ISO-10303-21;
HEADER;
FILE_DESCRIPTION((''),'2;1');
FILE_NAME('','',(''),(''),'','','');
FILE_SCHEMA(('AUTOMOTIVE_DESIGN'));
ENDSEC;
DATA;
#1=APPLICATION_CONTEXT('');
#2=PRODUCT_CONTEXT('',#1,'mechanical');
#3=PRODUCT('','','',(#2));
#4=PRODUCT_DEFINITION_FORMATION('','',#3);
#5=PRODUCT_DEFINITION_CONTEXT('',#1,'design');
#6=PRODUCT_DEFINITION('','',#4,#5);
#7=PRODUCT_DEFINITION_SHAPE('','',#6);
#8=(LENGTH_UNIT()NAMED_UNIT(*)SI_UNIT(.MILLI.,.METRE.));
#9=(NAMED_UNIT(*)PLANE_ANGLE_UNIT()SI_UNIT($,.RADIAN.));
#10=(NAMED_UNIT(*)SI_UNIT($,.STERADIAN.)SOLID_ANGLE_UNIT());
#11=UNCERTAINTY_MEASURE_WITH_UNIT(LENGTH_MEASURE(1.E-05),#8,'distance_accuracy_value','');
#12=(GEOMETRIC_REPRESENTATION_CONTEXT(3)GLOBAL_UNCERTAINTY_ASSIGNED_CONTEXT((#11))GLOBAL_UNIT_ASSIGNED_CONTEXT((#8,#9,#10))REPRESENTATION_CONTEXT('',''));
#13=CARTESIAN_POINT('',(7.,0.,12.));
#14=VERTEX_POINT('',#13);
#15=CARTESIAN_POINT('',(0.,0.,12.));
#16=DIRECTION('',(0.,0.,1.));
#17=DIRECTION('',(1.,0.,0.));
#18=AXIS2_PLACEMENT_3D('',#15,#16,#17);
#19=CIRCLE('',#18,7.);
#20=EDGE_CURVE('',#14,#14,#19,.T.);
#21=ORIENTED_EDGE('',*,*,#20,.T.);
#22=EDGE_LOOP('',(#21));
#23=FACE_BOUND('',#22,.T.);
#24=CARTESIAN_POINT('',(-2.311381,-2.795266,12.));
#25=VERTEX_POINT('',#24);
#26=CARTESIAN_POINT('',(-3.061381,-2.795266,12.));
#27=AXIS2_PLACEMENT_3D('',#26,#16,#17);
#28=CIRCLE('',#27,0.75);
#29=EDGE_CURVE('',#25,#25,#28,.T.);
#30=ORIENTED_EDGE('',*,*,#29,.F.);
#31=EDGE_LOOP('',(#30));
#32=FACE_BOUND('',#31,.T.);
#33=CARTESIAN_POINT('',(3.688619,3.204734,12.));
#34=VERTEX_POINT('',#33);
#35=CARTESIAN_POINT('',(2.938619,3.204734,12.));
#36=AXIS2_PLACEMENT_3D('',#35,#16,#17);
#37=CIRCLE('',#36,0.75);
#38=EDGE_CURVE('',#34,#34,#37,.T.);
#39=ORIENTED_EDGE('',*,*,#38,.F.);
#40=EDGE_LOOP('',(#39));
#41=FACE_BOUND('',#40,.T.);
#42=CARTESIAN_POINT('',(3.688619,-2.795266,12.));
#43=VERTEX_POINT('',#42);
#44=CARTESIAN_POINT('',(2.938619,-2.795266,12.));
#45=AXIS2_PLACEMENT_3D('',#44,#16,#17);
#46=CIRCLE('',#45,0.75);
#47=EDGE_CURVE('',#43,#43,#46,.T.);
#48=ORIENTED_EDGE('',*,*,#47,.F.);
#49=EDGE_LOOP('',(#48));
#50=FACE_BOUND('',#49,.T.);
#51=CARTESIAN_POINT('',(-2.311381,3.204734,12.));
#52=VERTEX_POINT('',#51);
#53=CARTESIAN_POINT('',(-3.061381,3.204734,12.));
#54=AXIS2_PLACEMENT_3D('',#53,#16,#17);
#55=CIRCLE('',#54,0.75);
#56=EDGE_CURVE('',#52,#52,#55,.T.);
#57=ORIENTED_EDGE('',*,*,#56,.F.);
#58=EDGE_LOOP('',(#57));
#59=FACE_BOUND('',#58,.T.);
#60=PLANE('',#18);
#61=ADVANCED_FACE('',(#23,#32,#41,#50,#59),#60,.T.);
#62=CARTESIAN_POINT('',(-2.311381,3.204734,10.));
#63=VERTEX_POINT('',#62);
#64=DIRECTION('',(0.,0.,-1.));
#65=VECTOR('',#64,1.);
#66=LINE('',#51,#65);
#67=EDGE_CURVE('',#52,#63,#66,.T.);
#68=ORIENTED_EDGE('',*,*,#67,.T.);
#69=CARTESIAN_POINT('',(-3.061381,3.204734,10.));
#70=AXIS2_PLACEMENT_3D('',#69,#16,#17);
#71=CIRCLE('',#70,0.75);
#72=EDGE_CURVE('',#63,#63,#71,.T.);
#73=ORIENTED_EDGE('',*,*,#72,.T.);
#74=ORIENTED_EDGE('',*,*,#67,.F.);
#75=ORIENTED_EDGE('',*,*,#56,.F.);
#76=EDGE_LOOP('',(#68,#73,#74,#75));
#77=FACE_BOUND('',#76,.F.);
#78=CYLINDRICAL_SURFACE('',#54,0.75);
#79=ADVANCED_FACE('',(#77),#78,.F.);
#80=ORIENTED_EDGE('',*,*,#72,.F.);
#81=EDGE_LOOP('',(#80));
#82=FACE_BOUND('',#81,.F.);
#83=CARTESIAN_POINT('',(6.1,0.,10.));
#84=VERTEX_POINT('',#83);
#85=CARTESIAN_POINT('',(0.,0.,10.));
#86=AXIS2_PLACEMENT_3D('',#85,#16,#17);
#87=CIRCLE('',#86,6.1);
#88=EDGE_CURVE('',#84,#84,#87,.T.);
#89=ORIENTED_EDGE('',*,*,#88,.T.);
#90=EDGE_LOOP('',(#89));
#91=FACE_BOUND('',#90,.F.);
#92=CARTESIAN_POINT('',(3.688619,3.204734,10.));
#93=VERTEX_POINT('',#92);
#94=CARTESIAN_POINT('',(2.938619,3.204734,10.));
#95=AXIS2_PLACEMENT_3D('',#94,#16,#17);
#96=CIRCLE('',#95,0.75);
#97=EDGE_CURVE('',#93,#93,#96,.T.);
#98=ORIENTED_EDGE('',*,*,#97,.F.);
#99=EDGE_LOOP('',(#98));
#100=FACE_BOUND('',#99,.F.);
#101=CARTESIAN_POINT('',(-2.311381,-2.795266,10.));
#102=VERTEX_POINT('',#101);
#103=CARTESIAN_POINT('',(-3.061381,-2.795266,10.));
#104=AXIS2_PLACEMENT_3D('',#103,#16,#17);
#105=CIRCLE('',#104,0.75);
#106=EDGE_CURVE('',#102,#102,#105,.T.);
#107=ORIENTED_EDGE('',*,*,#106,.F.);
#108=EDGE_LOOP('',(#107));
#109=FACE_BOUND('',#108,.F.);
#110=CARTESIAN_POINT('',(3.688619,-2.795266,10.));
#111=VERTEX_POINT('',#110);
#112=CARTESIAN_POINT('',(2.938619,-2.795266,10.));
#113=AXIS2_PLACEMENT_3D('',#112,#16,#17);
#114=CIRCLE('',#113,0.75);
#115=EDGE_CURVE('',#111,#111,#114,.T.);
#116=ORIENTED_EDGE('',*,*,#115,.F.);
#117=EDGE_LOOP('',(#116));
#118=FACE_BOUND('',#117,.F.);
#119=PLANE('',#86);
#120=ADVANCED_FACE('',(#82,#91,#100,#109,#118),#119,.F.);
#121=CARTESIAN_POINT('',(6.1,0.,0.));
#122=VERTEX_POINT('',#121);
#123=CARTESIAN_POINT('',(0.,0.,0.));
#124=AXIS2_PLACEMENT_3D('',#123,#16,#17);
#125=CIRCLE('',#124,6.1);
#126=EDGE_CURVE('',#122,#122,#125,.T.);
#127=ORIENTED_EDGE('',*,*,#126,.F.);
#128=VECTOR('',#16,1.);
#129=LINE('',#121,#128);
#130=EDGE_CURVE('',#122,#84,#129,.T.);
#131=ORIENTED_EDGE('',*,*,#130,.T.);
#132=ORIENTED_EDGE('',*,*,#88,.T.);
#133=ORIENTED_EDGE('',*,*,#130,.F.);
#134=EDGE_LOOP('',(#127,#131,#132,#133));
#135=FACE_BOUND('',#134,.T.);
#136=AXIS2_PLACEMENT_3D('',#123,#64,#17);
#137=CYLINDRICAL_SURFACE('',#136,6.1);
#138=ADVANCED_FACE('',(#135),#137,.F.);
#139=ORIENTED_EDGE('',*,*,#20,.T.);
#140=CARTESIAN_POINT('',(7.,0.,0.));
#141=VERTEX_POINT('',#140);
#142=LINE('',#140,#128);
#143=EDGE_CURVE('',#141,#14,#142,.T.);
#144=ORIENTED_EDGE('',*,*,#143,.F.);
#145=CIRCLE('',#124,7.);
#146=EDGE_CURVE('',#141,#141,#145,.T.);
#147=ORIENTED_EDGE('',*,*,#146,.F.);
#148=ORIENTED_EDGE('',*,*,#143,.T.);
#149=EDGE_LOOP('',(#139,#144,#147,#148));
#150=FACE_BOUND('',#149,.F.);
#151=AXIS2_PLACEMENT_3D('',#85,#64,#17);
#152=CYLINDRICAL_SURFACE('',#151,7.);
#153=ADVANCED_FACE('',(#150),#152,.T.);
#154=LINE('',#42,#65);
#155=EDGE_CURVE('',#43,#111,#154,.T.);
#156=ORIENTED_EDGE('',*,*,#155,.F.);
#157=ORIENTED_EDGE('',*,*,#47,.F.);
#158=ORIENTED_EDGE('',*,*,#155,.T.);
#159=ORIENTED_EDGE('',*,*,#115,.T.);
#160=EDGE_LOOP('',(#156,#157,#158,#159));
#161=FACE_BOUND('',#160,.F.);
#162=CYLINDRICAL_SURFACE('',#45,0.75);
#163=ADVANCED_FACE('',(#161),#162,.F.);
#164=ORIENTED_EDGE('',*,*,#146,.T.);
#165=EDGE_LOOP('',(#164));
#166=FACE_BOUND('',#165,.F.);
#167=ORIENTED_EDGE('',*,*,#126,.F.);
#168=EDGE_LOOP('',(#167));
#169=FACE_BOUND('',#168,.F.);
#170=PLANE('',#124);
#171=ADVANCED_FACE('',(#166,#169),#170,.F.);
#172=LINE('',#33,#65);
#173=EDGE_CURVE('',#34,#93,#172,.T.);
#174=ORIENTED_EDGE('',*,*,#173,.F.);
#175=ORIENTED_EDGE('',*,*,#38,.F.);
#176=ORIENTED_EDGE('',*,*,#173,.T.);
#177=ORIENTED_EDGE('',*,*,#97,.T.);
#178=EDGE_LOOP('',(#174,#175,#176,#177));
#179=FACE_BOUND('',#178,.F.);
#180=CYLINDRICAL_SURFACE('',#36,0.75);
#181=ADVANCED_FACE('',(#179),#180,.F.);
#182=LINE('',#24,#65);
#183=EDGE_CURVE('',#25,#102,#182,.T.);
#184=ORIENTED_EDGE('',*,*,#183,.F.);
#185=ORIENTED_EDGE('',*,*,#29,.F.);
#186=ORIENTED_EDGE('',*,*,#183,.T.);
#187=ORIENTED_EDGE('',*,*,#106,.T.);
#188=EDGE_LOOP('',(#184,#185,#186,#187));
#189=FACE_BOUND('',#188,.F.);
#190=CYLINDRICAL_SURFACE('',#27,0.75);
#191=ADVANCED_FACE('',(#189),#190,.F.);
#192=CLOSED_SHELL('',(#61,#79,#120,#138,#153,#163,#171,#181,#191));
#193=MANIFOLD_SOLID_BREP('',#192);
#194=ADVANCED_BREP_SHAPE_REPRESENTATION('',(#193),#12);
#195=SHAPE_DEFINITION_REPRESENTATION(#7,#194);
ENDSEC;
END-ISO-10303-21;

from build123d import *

# Parameters (mm, degrees)
F0_R     = 7
F0_R_2   = 6.1
F1_DEPTH = 10
F2_R     = 7
F3_DEPTH = 2
F4_R     = 0.75
F5_DEPTH = 2


with BuildPart() as f1:
    # F0 (on Top) → F1 (new body)
    with BuildSketch(Plane.XY):
        Circle(F0_R)
        Circle(F0_R_2, mode=Mode.SUBTRACT)
    extrude(amount=F1_DEPTH)

    # F2 (on face) → F3 (join)
    with BuildSketch(Plane.XY.offset(10)):
        Circle(F2_R)
    extrude(amount=F3_DEPTH)

    # F4 (on face) → F5 (cut, through all)
    with BuildSketch(Plane.XY.offset(12)):
        with Locations((2.938619, -2.795266)):
            Circle(F4_R)
        with Locations((2.938619, 3.204734)):
            Circle(F4_R)
        with Locations((-3.061381, -2.795266)):
            Circle(F4_R)
        with Locations((-3.061381, 3.204734)):
            Circle(F4_R)
    extrude(amount=-F5_DEPTH, mode=Mode.SUBTRACT)


solid = f1.part
